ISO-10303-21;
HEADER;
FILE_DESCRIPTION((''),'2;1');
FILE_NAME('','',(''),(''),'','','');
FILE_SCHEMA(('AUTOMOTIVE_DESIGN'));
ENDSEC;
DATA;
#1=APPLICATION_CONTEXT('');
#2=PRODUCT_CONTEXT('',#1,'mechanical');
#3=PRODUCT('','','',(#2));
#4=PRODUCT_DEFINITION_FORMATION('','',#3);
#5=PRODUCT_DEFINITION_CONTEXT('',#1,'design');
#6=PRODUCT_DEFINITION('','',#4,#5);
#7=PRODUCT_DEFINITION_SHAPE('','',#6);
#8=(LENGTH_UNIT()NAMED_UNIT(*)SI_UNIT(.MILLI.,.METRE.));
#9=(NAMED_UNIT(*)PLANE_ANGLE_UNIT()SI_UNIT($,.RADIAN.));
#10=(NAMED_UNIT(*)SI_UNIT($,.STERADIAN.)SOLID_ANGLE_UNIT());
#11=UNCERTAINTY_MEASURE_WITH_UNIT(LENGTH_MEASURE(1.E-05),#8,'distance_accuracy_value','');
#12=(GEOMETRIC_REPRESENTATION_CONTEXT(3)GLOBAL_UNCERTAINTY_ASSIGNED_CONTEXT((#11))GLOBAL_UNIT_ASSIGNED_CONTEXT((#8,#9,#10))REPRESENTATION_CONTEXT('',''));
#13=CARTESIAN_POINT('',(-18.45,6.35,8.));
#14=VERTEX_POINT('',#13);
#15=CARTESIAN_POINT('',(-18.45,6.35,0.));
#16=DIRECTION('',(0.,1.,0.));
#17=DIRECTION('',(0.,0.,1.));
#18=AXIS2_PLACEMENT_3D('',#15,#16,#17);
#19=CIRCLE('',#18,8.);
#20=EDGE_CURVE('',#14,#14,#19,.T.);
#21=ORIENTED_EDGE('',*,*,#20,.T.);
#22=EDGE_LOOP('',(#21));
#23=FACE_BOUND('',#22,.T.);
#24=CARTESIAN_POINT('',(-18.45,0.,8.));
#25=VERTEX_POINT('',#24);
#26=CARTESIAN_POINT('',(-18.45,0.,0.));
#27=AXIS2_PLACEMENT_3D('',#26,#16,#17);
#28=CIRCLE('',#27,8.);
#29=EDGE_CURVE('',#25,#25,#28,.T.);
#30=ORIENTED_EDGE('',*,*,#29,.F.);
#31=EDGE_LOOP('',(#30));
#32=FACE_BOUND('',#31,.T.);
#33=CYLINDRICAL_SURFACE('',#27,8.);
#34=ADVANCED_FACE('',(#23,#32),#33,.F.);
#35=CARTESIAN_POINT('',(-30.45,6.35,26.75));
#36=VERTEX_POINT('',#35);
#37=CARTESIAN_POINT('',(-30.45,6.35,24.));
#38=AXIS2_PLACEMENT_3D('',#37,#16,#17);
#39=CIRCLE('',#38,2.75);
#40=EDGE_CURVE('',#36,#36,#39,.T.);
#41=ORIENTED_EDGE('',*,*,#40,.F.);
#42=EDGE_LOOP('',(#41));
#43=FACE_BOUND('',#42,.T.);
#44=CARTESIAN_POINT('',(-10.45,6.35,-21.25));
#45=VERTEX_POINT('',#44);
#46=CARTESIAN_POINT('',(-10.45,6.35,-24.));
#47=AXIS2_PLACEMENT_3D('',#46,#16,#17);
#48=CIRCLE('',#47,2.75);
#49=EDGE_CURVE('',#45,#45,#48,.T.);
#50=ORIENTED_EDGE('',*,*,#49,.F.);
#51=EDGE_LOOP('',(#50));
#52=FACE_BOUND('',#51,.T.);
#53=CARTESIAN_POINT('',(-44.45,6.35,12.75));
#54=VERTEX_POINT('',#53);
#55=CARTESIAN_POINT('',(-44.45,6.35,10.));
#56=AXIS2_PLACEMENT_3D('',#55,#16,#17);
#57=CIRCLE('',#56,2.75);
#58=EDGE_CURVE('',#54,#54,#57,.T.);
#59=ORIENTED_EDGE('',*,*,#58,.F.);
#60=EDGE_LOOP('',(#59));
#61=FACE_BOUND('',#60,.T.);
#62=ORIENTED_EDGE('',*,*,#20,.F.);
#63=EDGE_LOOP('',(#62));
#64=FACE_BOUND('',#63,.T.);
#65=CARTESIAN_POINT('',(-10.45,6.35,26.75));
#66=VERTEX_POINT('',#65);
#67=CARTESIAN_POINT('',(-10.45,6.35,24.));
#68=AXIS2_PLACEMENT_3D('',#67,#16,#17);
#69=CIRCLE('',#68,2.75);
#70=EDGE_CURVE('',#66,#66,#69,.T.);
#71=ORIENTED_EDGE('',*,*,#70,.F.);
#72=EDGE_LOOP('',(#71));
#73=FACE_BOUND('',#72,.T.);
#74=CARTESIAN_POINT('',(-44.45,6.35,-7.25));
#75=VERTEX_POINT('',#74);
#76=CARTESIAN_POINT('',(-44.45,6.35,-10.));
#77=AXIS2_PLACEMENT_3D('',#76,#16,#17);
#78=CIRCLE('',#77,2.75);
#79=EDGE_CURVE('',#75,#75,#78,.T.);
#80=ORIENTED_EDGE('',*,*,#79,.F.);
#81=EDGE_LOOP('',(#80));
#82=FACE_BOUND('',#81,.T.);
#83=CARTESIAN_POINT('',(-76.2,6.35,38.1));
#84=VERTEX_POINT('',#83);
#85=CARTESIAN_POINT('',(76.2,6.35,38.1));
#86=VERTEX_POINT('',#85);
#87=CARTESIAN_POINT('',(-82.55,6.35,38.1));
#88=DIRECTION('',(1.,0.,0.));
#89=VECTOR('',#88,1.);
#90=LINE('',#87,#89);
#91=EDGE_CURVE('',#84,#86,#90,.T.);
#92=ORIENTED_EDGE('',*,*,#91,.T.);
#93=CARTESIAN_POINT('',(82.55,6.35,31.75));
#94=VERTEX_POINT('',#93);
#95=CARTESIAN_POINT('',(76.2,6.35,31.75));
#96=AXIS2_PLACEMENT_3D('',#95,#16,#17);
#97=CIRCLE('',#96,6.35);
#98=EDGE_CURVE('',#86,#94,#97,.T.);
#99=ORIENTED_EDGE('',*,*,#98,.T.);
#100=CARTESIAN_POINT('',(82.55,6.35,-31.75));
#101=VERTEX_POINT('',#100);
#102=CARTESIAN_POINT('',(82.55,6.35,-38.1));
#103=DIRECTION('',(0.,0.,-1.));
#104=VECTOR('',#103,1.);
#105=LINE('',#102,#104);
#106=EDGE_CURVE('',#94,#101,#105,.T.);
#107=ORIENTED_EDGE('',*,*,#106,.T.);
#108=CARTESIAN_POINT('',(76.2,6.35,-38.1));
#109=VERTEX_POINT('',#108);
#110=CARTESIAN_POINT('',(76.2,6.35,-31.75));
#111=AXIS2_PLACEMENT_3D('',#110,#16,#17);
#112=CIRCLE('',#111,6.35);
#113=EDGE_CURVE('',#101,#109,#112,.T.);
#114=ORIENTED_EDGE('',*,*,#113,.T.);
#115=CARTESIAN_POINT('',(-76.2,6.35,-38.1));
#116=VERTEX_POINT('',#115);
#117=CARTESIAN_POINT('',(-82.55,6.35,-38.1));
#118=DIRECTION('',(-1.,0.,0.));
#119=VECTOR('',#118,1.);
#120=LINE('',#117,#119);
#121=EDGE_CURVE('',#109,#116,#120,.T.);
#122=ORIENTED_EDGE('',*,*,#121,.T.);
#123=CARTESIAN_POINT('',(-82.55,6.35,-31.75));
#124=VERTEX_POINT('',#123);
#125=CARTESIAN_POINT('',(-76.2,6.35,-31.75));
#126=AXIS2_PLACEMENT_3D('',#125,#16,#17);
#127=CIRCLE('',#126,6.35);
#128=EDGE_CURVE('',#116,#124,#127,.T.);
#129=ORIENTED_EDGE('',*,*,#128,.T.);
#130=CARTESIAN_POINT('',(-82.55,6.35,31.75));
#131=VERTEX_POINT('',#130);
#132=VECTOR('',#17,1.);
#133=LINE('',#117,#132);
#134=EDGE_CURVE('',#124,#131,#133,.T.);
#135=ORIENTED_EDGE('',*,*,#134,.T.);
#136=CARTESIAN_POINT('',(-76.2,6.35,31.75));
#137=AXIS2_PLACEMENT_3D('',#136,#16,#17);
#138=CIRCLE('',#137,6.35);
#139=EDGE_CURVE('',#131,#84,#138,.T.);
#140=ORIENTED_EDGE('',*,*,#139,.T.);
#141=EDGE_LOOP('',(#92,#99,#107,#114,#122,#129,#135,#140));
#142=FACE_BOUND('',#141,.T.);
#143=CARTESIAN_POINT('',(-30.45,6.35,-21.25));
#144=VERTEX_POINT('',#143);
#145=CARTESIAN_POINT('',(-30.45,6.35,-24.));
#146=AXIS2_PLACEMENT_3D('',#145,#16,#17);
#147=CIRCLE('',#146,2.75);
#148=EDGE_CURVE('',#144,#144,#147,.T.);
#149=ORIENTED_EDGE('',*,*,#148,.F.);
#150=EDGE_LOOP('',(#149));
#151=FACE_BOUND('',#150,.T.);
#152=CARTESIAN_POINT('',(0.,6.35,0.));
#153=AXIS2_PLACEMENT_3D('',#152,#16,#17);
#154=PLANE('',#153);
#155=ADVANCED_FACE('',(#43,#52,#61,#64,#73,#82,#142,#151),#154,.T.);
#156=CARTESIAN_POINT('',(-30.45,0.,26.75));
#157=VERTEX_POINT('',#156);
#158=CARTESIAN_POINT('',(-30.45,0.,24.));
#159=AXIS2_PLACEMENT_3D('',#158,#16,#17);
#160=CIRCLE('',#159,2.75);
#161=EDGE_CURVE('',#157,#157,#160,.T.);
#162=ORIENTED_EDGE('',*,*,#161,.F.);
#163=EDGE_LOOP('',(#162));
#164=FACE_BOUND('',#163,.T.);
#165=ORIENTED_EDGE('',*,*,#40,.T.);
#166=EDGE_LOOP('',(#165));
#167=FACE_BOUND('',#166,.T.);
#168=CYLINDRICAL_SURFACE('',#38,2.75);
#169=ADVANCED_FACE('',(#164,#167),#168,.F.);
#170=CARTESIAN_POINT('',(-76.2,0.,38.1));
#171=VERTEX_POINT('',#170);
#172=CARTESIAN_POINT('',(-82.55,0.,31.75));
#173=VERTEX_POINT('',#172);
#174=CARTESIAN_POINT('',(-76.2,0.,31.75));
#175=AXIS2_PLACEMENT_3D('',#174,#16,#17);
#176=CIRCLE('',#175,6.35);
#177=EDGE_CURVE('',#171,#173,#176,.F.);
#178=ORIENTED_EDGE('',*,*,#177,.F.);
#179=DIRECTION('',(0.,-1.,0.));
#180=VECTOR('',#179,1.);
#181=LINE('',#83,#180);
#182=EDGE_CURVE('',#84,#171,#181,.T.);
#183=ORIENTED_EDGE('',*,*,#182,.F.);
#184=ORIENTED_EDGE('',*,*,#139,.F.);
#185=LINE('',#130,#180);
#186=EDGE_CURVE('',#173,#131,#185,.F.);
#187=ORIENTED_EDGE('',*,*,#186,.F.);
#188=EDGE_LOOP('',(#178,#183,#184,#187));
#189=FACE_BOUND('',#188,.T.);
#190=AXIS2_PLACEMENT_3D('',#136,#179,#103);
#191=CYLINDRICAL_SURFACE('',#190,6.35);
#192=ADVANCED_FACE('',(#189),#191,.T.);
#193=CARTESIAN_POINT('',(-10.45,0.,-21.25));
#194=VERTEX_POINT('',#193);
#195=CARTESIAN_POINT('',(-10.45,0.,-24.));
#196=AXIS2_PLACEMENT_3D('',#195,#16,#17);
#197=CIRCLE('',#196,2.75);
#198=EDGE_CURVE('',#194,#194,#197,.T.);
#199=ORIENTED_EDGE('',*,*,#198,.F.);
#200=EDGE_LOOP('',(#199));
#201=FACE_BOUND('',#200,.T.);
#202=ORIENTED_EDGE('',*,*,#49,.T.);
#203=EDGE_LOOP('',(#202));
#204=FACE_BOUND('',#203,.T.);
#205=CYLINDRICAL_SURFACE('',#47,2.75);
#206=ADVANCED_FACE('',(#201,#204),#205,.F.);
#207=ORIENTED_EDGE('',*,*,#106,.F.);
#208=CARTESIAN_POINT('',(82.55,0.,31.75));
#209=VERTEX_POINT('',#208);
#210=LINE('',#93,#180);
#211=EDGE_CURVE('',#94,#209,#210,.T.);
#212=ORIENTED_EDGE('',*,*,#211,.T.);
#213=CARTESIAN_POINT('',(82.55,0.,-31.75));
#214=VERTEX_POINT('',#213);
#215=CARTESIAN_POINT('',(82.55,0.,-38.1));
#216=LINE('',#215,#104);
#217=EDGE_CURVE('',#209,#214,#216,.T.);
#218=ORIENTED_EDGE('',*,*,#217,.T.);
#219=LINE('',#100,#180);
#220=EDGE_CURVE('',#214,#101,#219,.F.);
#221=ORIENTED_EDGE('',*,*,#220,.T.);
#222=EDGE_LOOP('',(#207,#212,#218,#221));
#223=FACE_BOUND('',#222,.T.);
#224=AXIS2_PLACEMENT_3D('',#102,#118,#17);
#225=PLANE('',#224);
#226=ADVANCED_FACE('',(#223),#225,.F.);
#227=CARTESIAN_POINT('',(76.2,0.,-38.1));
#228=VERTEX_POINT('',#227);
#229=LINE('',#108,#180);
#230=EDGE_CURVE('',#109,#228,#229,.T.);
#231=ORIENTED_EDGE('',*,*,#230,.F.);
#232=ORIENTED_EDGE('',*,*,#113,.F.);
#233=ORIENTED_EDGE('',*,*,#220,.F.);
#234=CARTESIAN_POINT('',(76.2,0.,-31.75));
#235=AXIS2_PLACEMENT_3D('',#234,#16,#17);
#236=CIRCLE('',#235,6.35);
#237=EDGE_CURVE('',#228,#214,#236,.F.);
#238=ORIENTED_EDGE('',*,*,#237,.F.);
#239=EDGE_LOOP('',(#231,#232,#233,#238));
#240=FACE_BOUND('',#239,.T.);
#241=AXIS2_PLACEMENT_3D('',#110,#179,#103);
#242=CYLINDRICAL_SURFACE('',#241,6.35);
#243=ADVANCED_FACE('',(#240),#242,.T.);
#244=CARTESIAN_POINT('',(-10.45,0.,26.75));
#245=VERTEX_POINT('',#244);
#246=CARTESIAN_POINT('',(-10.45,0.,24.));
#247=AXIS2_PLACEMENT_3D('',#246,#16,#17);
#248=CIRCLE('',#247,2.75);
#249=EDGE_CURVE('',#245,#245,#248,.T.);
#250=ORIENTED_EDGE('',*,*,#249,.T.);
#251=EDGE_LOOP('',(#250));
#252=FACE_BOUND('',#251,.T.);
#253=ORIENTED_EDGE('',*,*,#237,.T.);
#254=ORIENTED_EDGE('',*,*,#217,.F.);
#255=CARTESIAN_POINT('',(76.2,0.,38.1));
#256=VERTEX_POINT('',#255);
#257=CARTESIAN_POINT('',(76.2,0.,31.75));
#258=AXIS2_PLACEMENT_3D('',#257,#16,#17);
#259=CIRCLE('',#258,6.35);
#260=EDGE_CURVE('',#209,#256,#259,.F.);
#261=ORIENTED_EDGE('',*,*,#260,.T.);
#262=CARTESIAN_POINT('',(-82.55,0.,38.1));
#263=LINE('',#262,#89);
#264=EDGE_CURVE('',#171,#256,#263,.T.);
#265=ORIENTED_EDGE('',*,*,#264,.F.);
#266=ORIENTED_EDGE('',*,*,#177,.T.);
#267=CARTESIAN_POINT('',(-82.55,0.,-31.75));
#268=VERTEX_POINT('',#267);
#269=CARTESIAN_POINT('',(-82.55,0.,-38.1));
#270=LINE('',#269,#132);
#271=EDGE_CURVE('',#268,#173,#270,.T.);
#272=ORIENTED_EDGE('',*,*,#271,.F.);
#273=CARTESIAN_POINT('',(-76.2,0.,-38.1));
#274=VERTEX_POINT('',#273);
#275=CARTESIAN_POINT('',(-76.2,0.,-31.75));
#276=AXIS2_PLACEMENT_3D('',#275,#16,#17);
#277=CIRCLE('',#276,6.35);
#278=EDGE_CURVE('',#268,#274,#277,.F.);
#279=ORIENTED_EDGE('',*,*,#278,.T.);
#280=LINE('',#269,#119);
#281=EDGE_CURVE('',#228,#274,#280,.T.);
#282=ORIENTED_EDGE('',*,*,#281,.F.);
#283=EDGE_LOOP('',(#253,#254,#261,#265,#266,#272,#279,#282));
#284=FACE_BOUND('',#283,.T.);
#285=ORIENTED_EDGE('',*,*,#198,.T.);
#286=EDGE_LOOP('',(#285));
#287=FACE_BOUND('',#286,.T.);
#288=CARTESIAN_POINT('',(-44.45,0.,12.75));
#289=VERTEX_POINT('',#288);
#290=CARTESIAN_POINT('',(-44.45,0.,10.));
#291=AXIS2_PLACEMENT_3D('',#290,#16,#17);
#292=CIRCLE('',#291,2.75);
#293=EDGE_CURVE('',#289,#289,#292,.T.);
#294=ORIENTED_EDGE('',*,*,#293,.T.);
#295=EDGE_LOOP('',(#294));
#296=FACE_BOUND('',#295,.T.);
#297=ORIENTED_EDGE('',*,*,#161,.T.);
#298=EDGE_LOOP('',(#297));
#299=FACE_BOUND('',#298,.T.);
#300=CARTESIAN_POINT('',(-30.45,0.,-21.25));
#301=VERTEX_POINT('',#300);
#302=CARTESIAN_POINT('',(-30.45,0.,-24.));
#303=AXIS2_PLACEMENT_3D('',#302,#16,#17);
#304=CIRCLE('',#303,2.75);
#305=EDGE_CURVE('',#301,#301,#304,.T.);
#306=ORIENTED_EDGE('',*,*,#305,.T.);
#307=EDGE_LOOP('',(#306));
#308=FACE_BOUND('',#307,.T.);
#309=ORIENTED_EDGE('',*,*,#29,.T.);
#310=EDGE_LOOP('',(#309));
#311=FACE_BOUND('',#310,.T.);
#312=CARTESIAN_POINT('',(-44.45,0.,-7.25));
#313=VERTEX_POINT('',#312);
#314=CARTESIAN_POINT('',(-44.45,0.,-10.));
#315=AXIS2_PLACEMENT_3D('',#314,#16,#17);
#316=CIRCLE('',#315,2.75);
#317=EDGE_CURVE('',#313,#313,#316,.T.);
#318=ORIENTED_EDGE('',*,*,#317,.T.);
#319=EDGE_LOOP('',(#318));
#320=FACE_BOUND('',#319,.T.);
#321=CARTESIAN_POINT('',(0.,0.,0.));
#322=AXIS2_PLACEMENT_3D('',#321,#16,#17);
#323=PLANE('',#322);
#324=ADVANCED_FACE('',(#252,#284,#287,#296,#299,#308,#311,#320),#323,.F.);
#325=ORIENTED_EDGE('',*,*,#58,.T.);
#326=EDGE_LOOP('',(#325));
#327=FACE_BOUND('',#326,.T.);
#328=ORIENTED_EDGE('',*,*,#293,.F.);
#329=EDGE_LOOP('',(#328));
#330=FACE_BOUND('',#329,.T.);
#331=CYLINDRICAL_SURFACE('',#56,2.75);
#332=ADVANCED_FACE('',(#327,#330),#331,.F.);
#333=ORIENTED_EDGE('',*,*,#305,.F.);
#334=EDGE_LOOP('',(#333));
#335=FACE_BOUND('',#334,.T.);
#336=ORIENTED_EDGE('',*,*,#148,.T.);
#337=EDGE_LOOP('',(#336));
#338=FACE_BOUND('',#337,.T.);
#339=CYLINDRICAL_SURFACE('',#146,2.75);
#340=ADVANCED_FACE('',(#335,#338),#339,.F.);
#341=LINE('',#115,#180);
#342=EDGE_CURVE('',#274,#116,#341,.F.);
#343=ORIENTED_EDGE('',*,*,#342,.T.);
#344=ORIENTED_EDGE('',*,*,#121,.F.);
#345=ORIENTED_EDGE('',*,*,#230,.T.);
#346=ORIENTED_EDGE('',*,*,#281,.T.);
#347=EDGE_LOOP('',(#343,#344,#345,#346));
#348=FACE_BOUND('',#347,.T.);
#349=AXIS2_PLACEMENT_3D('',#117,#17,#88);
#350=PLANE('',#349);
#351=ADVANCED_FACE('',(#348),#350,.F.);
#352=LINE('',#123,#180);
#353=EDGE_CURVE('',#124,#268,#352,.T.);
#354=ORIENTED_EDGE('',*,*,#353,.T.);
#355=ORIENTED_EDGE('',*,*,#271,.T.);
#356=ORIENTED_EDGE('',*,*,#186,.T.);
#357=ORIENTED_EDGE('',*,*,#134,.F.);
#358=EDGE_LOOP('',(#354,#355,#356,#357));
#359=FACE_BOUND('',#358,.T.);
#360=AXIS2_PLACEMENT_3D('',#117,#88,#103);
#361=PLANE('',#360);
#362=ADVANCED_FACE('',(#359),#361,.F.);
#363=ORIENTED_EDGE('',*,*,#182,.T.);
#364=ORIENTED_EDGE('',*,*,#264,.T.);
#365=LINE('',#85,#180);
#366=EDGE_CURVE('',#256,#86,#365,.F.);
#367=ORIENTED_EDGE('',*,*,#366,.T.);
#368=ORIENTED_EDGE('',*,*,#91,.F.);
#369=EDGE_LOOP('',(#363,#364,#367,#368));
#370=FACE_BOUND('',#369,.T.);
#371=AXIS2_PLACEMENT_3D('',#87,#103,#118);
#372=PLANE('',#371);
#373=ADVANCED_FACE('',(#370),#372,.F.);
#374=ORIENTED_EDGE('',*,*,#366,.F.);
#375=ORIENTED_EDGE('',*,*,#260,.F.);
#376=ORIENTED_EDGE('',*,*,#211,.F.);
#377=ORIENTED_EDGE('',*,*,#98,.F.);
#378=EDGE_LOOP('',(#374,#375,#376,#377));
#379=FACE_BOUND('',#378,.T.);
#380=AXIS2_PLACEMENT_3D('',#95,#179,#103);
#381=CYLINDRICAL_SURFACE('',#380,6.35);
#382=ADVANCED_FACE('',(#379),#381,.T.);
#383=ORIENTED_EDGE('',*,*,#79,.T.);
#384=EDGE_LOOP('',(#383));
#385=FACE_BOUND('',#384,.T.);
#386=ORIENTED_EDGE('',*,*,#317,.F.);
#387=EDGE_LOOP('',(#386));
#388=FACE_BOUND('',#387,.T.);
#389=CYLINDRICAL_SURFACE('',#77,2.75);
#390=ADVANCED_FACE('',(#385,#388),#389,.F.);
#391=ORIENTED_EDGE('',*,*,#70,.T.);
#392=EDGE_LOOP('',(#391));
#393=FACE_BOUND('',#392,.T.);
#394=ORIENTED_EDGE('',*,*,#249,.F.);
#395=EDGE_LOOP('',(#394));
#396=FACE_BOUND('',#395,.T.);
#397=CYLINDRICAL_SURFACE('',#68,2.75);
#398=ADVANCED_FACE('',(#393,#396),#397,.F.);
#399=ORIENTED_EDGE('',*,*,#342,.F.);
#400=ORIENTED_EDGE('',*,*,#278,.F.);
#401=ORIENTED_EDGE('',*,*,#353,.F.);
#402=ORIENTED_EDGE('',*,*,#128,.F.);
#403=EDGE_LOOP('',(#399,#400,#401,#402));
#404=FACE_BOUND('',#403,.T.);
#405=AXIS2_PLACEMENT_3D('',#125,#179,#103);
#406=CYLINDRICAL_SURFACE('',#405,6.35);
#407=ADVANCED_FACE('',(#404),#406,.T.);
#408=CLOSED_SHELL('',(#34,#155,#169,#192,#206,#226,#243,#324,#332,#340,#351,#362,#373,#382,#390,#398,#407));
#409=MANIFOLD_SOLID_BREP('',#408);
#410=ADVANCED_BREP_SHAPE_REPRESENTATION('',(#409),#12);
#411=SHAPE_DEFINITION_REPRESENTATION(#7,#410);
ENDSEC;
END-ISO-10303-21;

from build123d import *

# Parameters (mm, degrees)
SKETCH1_W                = 165.1
SKETCH1_H                = 76.2
BOSS_EXTRUDE1_DEPTH      = 6.35
M5_CLEARANCE_HOLE1_D     = 5.5
M5_CLEARANCE_HOLE1_DEPTH = 12.7
M5_CLEARANCE_HOLE1_TIP   = 1.652366702
SKETCH5_R                = 8
CUT_EXTRUDE1_DEPTH       = 6.35
FILLET1_R                = 6.35


with BuildPart() as part:
    # Sketch1 → Boss-Extrude1 (new body)
    with BuildSketch(Plane(origin=(0, 0, 0), x_dir=(1, 0, 0), z_dir=(0, 1, 0))):
        Rectangle(SKETCH1_W, SKETCH1_H)
    extrude(amount=BOSS_EXTRUDE1_DEPTH)

    # M5 Clearance Hole1
    with Locations(Plane(origin=(0, 6.35, 0), x_dir=(1, 0, 0), z_dir=(0, 1, 0))):
        with Locations((-44.45, 10), (-44.45, -10), (-18.45, 0), (-10.45, 23.999999994), (-10.45, -24.000000006), (-30.45, 23.999999994), (-30.45, -24.000000006)):
            Hole(M5_CLEARANCE_HOLE1_D / 2, depth=M5_CLEARANCE_HOLE1_DEPTH)
            with Locations((0, 0, -(M5_CLEARANCE_HOLE1_DEPTH + M5_CLEARANCE_HOLE1_TIP / 2))):  # 118° drill point
                Cone(0, M5_CLEARANCE_HOLE1_D / 2, M5_CLEARANCE_HOLE1_TIP, mode=Mode.SUBTRACT)

    # Sketch5 → Cut-Extrude1 (cut)
    with BuildSketch(Plane(origin=(0, 6.35, 0), x_dir=(1, 0, 0), z_dir=(0, 1, 0))):
        with Locations(Location((-18.45, 0, 0), (0, 0, 270))):
            Circle(SKETCH5_R)
    extrude(amount=-CUT_EXTRUDE1_DEPTH, mode=Mode.SUBTRACT)

    # Fillet1
    fillet1_edges = [part.edges().sort_by_distance(p)[0] for p in [
        (82.55, 3.175, 38.1),
        (-82.55, 3.175, 38.1),
        (-82.55, 3.175, -38.1),
        (82.55, 3.175, -38.1),
    ]]
    fillet(fillet1_edges, radius=FILLET1_R)


solid = part.part
